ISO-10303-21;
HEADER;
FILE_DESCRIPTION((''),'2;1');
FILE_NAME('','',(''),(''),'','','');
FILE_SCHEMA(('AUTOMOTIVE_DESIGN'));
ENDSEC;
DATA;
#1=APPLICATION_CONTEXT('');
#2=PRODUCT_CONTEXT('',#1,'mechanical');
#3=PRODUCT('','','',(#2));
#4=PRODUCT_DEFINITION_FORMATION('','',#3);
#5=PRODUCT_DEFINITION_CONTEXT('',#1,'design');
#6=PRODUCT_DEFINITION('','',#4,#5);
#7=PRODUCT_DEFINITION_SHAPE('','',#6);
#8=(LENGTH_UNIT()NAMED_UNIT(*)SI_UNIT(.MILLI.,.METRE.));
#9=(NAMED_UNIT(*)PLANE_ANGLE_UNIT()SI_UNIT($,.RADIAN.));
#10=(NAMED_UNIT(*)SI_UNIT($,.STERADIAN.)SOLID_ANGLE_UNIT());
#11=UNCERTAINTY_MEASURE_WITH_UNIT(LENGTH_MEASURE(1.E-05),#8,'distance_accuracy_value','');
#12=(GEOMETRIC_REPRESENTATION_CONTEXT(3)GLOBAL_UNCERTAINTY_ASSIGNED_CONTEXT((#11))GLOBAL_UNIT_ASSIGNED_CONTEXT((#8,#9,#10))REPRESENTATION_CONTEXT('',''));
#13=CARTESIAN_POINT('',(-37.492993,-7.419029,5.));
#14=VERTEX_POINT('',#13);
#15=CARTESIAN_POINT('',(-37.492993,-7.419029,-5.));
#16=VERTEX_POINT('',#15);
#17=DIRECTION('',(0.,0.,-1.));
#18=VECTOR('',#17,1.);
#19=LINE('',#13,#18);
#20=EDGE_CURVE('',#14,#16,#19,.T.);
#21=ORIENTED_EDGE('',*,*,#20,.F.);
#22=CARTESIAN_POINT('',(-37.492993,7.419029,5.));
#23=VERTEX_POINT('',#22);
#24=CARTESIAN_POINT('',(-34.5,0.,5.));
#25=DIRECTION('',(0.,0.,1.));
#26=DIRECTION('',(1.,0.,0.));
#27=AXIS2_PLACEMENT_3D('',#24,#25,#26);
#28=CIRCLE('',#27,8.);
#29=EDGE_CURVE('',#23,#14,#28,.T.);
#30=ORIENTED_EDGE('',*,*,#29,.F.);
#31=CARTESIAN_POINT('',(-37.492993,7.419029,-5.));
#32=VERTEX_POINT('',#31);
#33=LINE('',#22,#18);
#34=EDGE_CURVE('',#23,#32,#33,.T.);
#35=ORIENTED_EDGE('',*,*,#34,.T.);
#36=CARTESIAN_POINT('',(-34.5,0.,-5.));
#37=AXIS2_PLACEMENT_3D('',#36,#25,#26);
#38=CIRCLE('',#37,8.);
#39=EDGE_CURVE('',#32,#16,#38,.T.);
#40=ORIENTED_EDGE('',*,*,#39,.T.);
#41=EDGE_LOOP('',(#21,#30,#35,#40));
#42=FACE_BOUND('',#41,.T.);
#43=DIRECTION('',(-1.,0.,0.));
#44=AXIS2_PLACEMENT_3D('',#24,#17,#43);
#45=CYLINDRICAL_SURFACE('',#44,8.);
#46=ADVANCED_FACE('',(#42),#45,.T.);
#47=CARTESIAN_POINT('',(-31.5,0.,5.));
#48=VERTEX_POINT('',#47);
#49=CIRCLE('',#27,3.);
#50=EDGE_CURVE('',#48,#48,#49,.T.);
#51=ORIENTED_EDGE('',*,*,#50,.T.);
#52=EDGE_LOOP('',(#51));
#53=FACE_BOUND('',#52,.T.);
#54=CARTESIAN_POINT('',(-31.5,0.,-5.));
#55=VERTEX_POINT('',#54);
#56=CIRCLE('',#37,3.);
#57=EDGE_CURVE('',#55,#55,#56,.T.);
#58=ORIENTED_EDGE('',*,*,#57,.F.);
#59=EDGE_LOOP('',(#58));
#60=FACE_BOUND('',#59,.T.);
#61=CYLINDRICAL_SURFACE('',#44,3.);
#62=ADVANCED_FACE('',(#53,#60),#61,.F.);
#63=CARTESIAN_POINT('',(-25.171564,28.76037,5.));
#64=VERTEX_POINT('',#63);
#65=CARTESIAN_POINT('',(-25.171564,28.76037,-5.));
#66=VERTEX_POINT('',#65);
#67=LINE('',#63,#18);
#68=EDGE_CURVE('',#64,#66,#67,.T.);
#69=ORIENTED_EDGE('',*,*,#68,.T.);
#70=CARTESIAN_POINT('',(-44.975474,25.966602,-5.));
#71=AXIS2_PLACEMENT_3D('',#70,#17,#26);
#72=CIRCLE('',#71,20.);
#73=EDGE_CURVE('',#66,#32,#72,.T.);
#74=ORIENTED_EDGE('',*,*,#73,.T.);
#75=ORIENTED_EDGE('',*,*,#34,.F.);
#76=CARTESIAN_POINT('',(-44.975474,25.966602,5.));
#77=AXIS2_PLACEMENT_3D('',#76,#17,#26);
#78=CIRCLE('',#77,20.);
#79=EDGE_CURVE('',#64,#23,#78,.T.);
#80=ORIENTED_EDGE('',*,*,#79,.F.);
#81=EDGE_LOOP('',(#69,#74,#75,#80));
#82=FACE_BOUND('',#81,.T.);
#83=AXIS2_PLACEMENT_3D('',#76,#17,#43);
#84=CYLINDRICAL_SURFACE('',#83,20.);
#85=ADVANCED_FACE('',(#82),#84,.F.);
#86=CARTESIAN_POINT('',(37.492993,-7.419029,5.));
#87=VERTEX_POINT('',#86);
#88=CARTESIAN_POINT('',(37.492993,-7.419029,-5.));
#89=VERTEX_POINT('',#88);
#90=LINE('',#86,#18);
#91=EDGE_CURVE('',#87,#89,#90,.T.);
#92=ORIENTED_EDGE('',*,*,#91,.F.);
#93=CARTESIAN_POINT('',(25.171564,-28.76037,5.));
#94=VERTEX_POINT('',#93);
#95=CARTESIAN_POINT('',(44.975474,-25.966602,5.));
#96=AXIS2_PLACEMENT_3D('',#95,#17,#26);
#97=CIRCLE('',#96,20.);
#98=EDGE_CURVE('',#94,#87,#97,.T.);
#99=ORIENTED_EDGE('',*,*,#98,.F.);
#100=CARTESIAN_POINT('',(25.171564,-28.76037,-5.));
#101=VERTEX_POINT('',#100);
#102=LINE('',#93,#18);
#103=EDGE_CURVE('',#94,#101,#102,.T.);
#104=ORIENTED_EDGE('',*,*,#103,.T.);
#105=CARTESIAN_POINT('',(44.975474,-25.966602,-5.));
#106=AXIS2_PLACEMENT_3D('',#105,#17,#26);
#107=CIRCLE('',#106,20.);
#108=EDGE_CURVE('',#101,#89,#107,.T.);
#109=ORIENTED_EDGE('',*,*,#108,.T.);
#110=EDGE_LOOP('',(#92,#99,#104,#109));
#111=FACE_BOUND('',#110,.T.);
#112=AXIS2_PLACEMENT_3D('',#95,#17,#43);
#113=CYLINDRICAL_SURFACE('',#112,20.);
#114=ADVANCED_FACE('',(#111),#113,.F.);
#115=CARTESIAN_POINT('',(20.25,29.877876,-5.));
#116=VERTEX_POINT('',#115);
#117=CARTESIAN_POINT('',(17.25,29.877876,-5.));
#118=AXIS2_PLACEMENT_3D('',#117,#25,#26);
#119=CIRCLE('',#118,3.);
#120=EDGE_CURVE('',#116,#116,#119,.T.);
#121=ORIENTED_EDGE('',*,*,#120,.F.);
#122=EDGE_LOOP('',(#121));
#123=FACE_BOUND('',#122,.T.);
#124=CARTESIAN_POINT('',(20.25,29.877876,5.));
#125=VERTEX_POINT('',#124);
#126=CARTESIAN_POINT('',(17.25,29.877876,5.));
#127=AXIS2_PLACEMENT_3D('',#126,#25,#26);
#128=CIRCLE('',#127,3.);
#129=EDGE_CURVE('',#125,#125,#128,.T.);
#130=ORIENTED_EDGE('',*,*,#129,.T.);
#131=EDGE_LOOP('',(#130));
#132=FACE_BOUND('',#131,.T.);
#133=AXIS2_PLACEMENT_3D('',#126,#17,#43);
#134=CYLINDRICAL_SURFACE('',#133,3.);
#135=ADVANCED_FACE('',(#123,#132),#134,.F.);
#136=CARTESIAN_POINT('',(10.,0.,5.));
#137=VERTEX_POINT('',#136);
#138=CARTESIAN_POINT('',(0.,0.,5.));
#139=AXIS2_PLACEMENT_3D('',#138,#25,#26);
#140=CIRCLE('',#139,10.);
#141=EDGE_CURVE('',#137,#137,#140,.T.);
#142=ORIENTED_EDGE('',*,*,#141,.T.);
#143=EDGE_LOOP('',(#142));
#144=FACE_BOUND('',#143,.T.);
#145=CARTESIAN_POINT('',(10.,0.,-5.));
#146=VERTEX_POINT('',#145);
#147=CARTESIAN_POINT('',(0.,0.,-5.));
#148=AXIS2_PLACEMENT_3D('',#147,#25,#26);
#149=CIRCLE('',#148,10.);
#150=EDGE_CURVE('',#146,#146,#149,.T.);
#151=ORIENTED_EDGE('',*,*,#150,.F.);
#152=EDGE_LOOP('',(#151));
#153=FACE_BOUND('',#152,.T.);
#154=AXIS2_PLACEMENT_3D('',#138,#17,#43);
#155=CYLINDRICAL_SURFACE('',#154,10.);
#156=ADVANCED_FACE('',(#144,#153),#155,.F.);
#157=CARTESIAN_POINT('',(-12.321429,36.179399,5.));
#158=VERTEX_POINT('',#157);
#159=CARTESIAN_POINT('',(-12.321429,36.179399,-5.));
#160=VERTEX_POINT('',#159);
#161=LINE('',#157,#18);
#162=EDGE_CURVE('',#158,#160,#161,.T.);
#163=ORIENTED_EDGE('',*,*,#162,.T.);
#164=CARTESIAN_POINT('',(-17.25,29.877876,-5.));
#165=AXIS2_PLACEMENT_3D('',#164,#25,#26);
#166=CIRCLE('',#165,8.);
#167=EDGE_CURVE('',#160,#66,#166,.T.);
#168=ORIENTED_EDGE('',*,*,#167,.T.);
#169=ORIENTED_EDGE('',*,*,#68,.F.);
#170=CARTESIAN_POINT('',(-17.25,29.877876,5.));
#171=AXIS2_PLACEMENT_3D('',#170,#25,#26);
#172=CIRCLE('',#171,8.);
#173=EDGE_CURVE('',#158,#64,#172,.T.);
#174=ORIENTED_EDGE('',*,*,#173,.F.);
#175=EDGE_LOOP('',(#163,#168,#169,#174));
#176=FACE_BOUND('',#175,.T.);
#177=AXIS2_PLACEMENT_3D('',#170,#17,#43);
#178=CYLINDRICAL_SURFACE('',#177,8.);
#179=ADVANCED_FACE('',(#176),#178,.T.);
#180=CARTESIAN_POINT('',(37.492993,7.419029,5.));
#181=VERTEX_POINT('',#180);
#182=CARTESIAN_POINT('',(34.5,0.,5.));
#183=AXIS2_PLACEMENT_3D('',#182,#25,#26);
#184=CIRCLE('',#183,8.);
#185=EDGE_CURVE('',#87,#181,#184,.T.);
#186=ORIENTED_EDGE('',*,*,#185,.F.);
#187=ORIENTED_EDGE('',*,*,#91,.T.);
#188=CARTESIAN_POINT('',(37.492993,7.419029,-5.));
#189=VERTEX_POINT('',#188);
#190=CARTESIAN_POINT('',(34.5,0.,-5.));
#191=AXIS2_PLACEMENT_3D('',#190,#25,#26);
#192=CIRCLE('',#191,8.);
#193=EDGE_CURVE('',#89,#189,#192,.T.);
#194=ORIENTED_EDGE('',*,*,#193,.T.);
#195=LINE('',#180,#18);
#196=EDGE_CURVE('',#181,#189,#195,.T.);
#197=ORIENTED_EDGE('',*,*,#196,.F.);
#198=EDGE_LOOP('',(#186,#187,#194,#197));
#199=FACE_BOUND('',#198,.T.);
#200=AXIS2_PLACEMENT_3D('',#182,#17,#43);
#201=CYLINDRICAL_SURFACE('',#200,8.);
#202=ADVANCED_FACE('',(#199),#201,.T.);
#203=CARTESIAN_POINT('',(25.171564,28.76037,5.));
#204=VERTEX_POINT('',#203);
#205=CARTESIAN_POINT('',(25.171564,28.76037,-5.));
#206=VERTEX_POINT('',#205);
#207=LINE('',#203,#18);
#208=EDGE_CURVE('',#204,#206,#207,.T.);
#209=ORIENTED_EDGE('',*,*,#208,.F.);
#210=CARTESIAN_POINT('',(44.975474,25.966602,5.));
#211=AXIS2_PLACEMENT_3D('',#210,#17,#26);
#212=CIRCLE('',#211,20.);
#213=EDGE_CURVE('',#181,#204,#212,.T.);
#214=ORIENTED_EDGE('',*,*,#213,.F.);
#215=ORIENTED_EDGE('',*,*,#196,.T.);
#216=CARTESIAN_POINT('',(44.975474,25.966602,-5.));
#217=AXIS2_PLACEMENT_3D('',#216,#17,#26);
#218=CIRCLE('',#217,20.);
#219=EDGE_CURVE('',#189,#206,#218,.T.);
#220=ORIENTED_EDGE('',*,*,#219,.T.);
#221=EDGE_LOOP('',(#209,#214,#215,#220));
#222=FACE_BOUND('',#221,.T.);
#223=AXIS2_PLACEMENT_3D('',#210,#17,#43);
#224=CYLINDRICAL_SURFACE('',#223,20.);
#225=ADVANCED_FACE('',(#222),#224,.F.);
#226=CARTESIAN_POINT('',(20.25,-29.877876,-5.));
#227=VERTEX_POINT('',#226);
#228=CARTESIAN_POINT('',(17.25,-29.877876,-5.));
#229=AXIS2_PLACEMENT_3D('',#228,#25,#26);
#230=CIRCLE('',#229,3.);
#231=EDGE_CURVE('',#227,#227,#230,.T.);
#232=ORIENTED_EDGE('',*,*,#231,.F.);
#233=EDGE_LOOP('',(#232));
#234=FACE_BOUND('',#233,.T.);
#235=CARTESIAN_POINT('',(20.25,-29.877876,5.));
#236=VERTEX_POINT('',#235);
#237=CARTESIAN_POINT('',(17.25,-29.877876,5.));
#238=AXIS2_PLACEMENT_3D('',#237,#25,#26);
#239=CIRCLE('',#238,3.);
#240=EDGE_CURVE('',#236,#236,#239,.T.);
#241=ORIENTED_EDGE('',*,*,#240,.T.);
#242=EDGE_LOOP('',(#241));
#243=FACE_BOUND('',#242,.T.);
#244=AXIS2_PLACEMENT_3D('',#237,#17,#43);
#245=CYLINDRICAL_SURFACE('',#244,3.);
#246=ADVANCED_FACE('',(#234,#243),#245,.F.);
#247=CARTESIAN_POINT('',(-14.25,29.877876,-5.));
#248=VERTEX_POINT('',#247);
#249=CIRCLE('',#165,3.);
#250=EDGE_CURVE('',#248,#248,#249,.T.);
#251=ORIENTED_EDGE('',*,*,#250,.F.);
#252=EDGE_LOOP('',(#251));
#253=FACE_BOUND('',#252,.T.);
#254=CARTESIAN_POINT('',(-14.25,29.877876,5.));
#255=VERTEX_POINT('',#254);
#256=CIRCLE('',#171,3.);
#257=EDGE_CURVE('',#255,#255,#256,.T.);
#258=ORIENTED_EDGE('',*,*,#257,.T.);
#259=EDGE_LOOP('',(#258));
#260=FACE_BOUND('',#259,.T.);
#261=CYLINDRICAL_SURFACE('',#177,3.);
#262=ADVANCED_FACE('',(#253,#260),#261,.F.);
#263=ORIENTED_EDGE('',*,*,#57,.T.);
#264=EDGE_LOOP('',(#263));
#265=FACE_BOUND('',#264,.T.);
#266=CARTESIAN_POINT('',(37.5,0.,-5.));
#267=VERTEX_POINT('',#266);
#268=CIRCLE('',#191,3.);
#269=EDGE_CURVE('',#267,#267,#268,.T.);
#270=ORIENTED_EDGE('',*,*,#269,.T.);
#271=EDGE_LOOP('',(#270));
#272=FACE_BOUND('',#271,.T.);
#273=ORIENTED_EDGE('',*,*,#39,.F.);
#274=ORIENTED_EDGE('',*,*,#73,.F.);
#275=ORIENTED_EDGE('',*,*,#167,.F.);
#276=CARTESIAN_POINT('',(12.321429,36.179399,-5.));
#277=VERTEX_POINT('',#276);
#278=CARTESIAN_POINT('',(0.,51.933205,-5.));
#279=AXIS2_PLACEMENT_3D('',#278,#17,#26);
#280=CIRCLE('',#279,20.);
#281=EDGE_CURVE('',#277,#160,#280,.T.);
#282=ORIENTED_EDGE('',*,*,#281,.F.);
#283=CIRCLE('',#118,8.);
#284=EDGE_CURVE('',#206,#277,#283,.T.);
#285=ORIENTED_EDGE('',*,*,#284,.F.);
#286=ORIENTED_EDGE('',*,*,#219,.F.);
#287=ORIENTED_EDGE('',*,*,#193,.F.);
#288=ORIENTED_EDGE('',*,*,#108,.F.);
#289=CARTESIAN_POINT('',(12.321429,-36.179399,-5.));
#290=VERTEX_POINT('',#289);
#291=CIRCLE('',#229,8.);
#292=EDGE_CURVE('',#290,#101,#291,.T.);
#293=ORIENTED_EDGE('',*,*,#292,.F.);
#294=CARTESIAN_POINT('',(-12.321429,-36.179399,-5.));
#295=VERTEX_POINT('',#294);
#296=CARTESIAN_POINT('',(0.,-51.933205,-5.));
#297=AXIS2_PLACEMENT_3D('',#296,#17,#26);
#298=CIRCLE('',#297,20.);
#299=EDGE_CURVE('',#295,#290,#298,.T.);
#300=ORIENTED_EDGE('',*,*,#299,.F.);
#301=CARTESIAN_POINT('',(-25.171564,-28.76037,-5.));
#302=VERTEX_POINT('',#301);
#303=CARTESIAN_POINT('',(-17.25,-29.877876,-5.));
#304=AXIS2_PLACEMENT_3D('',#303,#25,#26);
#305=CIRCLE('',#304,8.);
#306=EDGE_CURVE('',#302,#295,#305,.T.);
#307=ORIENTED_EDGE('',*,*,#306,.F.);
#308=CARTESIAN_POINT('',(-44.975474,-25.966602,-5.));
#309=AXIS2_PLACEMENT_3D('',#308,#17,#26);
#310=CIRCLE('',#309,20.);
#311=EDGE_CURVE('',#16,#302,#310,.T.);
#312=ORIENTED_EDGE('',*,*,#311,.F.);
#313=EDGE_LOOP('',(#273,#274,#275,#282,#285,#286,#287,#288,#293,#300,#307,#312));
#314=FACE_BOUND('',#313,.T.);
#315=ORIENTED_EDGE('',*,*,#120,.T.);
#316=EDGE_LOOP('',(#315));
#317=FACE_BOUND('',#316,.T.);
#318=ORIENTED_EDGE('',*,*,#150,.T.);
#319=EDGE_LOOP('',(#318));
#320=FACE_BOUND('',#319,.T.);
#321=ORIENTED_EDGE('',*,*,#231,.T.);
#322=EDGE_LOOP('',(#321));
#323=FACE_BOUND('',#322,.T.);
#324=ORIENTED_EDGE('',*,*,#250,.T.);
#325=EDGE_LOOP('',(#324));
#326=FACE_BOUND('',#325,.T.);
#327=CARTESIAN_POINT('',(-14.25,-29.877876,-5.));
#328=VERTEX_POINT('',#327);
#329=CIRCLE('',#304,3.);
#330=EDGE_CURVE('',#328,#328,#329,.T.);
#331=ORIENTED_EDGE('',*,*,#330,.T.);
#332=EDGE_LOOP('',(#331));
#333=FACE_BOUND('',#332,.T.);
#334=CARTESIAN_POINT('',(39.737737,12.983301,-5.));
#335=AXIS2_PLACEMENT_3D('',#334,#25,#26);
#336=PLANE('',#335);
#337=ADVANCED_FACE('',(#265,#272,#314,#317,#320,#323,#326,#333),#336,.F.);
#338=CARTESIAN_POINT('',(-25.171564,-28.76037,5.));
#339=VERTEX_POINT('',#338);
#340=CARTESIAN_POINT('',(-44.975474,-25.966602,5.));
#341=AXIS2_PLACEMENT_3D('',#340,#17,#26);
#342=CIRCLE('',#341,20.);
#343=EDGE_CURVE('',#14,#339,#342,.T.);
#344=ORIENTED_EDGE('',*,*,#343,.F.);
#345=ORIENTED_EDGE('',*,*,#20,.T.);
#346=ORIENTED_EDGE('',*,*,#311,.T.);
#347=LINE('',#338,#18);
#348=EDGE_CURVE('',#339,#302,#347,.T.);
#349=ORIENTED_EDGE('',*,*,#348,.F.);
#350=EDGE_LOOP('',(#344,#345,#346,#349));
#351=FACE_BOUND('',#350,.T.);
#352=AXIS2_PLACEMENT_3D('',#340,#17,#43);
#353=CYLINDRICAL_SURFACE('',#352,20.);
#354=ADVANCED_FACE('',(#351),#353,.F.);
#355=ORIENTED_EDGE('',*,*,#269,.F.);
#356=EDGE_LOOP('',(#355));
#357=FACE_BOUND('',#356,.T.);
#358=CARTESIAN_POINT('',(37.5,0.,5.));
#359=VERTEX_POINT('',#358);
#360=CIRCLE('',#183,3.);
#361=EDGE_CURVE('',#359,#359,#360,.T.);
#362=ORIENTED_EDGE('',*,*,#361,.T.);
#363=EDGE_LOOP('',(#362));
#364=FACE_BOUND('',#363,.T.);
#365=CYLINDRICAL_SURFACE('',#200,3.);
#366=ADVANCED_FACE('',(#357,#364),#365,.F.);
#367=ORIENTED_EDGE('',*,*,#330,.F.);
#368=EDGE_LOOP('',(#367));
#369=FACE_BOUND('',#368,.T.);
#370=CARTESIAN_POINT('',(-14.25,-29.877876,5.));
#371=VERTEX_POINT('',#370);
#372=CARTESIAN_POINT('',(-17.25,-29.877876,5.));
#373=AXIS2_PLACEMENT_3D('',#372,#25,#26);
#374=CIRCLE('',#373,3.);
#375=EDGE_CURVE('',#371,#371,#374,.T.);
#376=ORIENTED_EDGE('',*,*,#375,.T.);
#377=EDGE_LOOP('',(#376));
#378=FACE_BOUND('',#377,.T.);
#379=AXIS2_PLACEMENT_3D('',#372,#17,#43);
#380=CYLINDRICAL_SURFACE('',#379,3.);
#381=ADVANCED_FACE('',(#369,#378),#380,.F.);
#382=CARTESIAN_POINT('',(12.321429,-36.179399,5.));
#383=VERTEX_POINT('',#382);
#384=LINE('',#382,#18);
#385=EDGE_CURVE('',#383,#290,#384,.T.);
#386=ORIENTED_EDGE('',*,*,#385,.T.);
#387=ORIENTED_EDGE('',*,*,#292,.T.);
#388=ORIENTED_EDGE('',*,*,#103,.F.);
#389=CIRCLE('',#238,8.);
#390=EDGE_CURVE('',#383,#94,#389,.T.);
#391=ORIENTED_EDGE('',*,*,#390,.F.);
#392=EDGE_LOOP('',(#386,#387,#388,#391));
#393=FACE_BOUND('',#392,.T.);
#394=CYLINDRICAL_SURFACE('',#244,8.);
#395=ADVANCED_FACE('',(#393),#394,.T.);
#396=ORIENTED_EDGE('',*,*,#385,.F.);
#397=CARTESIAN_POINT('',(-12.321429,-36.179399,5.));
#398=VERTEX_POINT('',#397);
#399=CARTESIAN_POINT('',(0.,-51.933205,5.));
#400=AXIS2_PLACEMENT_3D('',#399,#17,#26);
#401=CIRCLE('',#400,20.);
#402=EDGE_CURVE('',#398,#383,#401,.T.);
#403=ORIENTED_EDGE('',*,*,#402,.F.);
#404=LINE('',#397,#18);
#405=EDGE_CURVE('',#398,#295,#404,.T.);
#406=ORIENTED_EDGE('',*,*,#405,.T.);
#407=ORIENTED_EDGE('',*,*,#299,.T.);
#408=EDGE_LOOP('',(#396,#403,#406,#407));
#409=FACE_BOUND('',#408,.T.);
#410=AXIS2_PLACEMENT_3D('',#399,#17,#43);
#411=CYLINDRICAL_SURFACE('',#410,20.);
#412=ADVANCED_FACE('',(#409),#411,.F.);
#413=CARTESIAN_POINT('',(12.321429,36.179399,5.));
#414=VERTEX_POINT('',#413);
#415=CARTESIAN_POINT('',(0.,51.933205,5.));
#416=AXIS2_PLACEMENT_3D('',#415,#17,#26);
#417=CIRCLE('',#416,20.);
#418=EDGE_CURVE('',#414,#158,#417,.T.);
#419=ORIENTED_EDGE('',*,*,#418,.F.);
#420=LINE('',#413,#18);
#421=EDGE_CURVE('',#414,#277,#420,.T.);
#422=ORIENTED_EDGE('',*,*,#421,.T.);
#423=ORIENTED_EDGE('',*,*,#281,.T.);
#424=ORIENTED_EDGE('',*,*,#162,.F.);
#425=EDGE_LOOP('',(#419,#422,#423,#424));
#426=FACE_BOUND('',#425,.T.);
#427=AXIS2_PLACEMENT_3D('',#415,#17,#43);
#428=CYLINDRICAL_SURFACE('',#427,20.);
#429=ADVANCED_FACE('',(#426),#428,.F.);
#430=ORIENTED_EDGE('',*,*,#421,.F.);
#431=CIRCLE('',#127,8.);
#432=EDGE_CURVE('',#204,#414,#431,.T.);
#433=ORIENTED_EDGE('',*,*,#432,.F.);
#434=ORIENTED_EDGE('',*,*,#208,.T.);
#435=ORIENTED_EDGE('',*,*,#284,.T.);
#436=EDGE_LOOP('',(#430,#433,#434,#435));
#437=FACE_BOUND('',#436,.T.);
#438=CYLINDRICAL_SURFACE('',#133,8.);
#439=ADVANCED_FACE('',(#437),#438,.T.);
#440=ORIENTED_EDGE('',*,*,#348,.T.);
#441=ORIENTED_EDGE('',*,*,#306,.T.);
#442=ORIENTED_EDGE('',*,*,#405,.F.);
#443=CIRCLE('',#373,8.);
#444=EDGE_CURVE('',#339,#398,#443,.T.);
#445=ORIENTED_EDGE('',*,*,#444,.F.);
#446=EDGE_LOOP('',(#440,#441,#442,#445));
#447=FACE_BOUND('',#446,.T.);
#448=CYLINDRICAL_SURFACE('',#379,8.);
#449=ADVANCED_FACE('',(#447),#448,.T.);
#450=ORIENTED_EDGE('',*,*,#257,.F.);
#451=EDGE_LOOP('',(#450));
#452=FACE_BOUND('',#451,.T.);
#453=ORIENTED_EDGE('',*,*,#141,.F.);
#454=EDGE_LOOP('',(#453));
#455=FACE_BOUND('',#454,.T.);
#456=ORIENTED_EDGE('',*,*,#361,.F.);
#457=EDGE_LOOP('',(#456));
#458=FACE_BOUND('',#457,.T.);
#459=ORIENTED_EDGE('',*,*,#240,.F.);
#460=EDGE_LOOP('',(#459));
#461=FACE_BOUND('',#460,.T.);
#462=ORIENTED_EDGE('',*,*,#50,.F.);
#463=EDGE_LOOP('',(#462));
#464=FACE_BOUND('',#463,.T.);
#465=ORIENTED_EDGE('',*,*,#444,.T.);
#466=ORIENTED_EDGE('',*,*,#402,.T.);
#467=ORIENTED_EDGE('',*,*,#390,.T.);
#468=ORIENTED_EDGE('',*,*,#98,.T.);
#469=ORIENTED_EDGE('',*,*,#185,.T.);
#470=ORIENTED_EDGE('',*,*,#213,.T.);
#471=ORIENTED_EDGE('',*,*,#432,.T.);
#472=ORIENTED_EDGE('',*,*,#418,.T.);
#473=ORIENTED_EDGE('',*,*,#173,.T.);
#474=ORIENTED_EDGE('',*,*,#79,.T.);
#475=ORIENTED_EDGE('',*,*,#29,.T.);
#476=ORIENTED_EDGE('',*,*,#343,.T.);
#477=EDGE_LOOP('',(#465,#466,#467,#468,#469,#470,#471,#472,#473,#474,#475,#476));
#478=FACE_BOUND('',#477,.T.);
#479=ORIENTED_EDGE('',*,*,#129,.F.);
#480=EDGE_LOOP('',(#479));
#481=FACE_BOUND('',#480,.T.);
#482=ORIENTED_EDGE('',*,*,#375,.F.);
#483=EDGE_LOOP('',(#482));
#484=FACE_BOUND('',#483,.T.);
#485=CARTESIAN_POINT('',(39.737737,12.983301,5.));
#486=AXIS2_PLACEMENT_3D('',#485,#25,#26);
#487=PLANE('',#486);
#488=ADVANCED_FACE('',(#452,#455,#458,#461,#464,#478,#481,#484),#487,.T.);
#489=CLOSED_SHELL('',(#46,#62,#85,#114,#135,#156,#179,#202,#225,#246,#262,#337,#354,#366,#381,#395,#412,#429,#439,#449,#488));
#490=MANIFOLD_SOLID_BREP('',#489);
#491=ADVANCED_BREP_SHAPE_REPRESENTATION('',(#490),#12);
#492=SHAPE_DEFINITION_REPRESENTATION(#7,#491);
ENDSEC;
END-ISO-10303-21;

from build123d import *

# Parameters (mm, degrees)
SKETCH1_R           = 10
SKETCH1_R_2         = 3
BOSS_EXTRUDE1_DEPTH = 5


with BuildPart() as part:
    # Sketch1 → Boss-Extrude1 (new, symmetric)
    with BuildSketch(Plane.XY):
        with BuildLine():
            ThreePointArc((37.492992706, -7.419029226), (42.5, 0), (37.492992706, 7.419029226))
            ThreePointArc((37.492992706, 7.419029226), (27.654966395, 15.966602293), (25.171564134, 28.760369534))
            ThreePointArc((25.171564134, 28.760369534), (21.25, 36.806079661), (12.321428571, 36.17939876))
            ThreePointArc((12.321428571, 36.17939876), (0, 31.933204585), (-12.321428571, 36.17939876))
            ThreePointArc((-12.321428571, 36.17939876), (-21.25, 36.806079661), (-25.171564134, 28.760369534))
            ThreePointArc((-25.171564134, 28.760369534), (-27.654966395, 15.966602293), (-37.492992706, 7.419029226))
            ThreePointArc((-37.492992706, 7.419029226), (-42.5, 0), (-37.492992706, -7.419029226))
            ThreePointArc((-37.492992706, -7.419029226), (-27.654966395, -15.966602293), (-25.171564134, -28.760369534))
            ThreePointArc((-25.171564134, -28.760369534), (-21.25, -36.806079661), (-12.321428571, -36.17939876))
            ThreePointArc((-12.321428571, -36.17939876), (0, -31.933204585), (12.321428571, -36.17939876))
            ThreePointArc((12.321428571, -36.17939876), (21.25, -36.806079661), (25.171564134, -28.760369534))
            ThreePointArc((25.171564134, -28.760369534), (27.654966395, -15.966602293), (37.492992706, -7.419029226))
        make_face()
        Circle(SKETCH1_R, mode=Mode.SUBTRACT)
        with Locations((34.5, 0)):
            Circle(SKETCH1_R_2, mode=Mode.SUBTRACT)
        with Locations((17.25, -29.877876431)):
            Circle(SKETCH1_R_2, mode=Mode.SUBTRACT)
        with Locations((-17.25, -29.877876431)):
            Circle(SKETCH1_R_2, mode=Mode.SUBTRACT)
        with Locations((-34.5, 0)):
            Circle(SKETCH1_R_2, mode=Mode.SUBTRACT)
        with Locations((-17.25, 29.877876431)):
            Circle(SKETCH1_R_2, mode=Mode.SUBTRACT)
        with Locations((17.25, 29.877876431)):
            Circle(SKETCH1_R_2, mode=Mode.SUBTRACT)
    extrude(amount=BOSS_EXTRUDE1_DEPTH, both=True)


solid = part.part
